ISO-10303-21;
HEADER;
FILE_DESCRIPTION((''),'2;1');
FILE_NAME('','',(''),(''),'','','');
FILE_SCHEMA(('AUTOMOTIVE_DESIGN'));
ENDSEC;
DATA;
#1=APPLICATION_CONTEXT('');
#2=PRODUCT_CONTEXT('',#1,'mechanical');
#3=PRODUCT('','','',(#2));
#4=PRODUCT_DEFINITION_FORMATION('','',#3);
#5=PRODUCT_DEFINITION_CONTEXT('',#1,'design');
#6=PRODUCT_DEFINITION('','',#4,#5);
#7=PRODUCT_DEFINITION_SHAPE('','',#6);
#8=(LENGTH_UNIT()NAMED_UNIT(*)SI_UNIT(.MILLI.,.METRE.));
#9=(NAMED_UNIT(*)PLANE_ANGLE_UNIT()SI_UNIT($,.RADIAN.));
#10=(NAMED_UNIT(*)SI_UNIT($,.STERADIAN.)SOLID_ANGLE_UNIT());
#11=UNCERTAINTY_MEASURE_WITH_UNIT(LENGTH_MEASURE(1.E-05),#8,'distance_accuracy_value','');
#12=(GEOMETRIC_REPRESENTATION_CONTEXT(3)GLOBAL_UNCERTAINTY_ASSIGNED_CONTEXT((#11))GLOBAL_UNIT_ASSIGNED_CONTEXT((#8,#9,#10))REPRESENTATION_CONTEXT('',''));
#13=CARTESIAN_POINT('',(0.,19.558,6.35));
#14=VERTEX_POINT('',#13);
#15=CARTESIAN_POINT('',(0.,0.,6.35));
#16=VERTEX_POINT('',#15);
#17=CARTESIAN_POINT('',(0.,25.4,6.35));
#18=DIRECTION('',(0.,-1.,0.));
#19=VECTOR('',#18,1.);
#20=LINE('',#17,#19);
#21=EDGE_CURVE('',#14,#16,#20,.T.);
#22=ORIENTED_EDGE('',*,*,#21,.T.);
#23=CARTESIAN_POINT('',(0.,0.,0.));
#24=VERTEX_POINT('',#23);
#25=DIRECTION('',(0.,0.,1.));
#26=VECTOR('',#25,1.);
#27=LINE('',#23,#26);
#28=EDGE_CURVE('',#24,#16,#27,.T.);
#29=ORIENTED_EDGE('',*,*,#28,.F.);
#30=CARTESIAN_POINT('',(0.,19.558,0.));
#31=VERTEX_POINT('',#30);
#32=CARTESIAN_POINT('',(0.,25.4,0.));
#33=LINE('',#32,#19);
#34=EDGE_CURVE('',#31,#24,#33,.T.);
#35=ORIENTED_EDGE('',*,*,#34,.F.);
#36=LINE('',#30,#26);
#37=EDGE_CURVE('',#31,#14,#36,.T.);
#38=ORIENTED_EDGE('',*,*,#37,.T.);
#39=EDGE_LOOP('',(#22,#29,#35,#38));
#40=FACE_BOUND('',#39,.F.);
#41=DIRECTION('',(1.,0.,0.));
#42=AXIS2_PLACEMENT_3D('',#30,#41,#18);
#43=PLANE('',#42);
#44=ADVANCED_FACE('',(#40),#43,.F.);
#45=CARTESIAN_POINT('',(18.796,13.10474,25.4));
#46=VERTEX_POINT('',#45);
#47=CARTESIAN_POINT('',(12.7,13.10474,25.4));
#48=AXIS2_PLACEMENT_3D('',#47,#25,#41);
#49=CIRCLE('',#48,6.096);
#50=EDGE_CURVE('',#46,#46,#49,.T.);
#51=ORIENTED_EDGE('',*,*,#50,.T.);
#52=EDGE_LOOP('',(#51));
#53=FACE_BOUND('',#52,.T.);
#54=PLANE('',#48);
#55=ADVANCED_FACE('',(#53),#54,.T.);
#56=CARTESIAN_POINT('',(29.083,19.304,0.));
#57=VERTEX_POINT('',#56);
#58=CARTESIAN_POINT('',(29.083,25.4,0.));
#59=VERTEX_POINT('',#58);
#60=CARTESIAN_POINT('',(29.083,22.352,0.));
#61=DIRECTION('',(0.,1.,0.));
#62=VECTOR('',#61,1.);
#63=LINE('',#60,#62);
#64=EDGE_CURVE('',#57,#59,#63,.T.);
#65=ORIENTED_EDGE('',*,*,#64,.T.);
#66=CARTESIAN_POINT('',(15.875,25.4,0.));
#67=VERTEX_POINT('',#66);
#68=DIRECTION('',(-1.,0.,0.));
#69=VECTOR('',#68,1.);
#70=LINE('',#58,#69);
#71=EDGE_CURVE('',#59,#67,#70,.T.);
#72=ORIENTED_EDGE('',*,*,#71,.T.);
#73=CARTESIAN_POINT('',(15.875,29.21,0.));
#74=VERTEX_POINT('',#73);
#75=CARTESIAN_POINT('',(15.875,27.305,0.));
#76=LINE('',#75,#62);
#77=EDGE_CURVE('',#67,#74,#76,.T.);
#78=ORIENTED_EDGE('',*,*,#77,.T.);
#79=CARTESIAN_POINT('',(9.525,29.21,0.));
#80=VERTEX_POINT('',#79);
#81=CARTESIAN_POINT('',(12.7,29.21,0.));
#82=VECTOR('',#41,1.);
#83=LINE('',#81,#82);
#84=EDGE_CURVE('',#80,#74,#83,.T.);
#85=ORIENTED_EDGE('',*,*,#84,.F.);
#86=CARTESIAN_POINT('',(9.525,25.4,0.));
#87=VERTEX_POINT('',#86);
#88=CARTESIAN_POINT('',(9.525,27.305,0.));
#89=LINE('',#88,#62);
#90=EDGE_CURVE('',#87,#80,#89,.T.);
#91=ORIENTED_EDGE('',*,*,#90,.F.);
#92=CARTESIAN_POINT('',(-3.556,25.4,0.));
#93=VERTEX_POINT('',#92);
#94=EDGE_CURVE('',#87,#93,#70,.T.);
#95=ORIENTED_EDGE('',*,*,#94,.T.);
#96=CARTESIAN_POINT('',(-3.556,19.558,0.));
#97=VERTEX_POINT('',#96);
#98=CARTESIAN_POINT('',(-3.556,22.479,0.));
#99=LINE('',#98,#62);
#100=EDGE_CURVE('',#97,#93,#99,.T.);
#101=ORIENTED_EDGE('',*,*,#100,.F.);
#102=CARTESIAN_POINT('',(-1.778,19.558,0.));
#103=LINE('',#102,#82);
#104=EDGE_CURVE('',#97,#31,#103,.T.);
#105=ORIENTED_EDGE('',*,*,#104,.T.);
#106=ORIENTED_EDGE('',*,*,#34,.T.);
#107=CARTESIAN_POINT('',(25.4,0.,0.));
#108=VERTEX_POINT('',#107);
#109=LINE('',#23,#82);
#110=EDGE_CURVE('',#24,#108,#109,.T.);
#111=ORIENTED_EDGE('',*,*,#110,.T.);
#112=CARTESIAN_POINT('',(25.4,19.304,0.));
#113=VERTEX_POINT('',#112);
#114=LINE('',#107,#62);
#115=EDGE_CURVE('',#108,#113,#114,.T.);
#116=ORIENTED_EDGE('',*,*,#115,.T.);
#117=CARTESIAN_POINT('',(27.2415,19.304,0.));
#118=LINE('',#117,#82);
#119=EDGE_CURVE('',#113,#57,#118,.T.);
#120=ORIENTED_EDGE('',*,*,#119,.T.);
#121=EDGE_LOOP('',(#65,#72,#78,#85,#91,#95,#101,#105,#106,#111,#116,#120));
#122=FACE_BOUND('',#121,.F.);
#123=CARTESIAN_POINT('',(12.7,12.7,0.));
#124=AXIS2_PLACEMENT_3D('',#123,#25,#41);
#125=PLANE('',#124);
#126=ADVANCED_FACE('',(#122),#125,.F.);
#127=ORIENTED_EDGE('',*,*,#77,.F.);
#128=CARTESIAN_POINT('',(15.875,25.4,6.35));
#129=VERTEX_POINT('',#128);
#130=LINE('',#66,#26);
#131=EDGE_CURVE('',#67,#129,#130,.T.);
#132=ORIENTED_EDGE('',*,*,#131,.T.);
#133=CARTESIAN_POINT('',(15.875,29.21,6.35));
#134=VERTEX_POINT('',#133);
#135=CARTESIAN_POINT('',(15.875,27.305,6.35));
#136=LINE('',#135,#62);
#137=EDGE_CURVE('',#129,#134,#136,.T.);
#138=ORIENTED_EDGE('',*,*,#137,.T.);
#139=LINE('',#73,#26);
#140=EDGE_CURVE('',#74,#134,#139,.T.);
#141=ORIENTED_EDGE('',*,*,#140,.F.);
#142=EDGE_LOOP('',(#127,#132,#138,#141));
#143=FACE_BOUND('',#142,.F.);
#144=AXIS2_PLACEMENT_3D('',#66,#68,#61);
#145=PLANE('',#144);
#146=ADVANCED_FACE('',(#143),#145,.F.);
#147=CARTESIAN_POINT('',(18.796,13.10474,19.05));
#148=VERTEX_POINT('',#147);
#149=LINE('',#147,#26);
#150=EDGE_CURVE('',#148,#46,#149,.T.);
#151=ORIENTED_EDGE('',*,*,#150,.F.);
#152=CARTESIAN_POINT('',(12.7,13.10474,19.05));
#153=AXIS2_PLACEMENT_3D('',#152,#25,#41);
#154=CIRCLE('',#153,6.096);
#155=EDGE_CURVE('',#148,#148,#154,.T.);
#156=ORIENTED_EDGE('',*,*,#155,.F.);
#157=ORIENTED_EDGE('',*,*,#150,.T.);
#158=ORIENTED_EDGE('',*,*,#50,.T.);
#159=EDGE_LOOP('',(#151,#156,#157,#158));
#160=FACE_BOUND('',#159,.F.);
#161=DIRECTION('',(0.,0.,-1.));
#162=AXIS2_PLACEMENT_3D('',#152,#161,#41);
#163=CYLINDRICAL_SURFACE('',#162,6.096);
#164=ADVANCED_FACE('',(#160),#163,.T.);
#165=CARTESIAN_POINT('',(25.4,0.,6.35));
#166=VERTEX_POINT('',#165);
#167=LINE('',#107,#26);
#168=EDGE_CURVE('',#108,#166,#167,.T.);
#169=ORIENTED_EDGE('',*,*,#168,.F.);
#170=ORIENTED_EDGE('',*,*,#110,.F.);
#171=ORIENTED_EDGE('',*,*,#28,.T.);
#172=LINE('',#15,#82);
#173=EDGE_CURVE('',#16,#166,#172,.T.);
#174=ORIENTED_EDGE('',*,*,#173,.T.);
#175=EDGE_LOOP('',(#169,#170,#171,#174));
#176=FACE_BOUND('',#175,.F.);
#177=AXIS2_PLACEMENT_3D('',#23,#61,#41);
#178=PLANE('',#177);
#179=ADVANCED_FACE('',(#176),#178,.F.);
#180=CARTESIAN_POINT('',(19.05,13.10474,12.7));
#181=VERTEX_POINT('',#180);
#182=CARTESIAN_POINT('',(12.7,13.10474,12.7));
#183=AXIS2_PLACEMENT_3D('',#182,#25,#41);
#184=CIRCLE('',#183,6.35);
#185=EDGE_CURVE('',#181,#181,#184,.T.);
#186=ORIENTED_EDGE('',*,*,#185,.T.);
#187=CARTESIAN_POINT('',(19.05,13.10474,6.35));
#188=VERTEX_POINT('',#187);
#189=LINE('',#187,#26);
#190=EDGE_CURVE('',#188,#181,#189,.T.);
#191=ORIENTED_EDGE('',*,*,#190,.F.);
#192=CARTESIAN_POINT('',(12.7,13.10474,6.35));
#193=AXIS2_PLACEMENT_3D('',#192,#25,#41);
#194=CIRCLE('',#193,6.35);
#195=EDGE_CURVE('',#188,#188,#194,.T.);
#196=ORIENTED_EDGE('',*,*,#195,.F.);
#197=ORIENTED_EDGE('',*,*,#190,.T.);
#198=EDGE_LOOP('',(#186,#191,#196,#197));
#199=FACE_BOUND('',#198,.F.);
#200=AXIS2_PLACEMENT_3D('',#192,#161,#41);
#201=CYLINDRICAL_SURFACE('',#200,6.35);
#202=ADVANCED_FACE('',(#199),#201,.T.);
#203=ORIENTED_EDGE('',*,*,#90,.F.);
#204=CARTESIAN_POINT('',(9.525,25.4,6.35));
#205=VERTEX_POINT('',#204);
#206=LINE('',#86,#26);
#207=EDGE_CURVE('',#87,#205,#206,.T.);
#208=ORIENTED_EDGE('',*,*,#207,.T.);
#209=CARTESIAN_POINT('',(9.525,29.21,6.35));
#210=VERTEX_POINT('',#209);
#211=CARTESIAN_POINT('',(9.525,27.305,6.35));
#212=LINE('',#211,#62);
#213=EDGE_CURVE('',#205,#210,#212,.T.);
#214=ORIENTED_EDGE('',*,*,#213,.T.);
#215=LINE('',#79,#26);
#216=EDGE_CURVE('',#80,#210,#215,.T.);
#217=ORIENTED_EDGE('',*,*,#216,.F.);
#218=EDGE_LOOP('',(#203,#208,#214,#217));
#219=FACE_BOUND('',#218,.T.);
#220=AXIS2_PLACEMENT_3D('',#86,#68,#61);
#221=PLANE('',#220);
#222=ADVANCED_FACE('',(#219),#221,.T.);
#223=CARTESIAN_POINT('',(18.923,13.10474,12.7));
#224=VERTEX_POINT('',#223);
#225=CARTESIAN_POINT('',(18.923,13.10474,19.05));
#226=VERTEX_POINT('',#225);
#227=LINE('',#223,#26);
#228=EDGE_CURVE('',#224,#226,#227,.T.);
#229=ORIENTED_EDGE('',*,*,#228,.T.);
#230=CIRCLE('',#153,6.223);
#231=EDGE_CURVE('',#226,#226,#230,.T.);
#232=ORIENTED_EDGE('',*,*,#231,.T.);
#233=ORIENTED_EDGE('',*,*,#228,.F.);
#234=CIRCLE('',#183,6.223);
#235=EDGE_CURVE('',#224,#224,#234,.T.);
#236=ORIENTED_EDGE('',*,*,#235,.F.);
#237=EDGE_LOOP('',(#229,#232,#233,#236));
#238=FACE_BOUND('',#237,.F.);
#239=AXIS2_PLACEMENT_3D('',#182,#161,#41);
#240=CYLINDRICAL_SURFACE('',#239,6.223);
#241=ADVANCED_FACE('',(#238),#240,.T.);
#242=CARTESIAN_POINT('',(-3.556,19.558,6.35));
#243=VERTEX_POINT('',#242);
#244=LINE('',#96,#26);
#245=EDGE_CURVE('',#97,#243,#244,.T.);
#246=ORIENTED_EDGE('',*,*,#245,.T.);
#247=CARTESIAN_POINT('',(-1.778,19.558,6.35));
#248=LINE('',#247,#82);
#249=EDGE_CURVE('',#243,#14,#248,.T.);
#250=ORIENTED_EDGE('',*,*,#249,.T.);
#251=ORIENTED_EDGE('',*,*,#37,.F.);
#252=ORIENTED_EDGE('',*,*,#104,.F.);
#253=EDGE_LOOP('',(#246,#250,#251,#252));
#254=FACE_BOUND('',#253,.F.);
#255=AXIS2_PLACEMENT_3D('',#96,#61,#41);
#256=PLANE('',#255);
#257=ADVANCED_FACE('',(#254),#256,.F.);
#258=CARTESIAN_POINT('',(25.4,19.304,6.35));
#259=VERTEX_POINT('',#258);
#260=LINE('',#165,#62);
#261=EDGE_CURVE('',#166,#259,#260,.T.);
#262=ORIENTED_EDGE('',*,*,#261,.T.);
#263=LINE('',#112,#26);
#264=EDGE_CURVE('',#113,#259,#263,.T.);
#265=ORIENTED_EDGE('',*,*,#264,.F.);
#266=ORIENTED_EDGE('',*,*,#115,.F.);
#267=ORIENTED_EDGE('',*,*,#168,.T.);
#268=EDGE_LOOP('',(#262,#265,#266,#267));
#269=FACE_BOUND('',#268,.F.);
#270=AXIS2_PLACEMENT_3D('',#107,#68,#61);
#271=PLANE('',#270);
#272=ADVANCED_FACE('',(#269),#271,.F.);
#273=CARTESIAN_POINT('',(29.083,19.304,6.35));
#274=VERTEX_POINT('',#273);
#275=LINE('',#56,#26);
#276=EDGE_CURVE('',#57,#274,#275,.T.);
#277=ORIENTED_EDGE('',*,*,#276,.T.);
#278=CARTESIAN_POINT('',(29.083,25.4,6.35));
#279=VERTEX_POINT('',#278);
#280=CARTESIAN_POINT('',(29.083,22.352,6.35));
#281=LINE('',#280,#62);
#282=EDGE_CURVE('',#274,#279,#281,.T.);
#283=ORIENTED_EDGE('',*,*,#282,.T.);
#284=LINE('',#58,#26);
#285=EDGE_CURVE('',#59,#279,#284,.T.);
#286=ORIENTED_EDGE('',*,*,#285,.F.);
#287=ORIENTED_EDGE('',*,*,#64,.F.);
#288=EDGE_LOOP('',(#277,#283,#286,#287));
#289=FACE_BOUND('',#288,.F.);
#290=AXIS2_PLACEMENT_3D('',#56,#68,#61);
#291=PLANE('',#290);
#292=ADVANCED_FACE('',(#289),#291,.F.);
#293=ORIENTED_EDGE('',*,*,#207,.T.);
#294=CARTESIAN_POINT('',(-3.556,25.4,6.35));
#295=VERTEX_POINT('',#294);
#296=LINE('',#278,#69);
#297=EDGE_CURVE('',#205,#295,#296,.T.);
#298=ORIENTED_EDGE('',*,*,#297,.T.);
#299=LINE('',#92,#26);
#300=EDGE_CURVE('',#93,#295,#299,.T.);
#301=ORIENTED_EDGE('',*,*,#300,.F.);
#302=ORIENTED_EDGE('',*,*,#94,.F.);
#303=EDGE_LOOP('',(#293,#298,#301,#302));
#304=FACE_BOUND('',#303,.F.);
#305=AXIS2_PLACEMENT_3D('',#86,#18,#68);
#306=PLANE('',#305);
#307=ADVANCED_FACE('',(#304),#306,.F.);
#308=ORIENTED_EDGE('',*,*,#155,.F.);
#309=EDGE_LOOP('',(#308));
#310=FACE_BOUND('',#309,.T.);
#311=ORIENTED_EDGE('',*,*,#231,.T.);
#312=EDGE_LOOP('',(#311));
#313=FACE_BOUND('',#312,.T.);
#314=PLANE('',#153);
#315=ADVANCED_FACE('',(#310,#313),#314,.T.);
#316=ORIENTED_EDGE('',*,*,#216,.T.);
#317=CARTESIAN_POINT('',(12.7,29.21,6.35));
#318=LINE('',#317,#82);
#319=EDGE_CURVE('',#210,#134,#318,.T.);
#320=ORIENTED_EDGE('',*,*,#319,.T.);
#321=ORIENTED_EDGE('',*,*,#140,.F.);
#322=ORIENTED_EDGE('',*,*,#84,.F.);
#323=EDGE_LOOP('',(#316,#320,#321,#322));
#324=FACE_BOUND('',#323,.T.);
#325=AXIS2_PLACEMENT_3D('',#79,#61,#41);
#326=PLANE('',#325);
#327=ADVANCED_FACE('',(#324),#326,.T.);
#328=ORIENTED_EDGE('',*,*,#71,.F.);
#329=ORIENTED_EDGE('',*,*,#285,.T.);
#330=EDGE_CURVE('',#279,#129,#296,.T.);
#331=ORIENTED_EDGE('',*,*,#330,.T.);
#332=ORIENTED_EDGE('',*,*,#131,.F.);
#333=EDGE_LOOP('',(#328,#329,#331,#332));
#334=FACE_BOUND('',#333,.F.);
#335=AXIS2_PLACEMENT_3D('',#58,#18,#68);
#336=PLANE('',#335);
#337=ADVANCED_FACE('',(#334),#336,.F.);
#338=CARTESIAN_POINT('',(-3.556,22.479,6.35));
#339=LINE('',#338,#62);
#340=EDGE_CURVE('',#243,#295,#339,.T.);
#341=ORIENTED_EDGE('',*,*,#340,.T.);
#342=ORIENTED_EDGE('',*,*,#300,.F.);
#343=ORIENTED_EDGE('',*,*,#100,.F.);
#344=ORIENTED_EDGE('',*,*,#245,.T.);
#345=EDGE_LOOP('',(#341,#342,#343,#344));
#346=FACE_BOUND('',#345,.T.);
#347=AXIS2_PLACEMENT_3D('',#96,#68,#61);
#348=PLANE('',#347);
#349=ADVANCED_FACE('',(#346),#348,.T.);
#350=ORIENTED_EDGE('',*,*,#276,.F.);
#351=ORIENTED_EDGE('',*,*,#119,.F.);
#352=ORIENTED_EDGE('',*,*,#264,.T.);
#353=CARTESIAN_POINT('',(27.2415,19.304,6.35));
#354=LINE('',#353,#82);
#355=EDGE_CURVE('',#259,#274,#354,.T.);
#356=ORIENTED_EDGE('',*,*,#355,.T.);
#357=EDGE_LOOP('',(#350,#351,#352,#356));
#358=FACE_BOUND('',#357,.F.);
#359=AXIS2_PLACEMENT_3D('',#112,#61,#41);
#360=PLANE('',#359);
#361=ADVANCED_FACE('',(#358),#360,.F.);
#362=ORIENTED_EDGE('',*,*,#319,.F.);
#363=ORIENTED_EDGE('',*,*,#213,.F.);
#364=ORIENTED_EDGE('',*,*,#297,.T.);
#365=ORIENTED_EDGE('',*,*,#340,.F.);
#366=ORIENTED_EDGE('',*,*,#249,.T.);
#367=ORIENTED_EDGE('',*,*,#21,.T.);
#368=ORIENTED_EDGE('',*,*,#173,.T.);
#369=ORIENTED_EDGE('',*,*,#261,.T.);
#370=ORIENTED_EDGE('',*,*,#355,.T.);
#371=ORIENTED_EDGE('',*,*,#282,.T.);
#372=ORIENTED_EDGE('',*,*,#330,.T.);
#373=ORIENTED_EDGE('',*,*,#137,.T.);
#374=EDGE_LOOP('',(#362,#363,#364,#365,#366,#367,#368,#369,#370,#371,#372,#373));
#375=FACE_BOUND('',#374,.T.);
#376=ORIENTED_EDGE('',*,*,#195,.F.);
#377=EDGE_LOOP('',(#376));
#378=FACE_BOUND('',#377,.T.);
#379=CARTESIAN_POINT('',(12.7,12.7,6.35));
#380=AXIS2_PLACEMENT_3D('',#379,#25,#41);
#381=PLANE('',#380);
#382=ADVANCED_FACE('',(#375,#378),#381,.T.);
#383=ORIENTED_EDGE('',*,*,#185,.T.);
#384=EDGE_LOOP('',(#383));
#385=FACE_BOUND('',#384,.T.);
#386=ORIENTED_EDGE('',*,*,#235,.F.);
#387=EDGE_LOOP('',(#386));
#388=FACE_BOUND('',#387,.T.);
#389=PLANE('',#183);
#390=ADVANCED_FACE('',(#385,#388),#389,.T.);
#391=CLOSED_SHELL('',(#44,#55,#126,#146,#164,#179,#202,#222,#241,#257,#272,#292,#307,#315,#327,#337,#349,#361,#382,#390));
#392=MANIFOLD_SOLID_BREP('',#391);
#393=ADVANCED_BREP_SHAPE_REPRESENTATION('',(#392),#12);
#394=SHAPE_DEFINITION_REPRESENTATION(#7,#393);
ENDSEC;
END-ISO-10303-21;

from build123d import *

# Parameters (mm, degrees)
F0_W     = 3.556
F0_H     = 5.842
F0_W_2   = 3.683
F0_H_2   = 6.096
F0_W_3   = 6.35
F0_H_3   = 3.81
F1_DEPTH = 6.35
F2_R     = 6.35
F3_DEPTH = 6.35
F4_R     = 6.223
F5_DEPTH = 6.35
F6_R     = 6.096
F7_DEPTH = 6.35


with BuildPart() as f1:
    # F0 (on Top) → F1 (new body)
    with BuildSketch(Plane.XY):
        Polygon((0, 19.558), (0, 0), (25.4, 0), (25.4, 19.304), (25.4, 25.4), (15.875, 25.4), (9.525, 25.4), (0, 25.4), align=None)
        with Locations((-1.778, 22.479)):
            Rectangle(F0_W, F0_H)
        with Locations((27.2415, 22.352)):
            Rectangle(F0_W_2, F0_H_2)
        with Locations((12.7, 27.305)):
            Rectangle(F0_W_3, F0_H_3)
    extrude(amount=F1_DEPTH)

    # F2 (on face) → F3 (join)
    with BuildSketch(Plane.XY.offset(6.35)):
        with Locations((12.7, 13.10474)):
            Circle(F2_R)
    extrude(amount=F3_DEPTH)

    # F4 (on face) → F5 (join)
    with BuildSketch(Plane.XY.offset(12.7)):
        with Locations((12.7, 13.10474)):
            Circle(F4_R)
    extrude(amount=F5_DEPTH)

    # F6 (on face) → F7 (join)
    with BuildSketch(Plane.XY.offset(19.05)):
        with Locations((12.7, 13.10474)):
            Circle(F6_R)
    extrude(amount=F7_DEPTH)


solid = f1.part
